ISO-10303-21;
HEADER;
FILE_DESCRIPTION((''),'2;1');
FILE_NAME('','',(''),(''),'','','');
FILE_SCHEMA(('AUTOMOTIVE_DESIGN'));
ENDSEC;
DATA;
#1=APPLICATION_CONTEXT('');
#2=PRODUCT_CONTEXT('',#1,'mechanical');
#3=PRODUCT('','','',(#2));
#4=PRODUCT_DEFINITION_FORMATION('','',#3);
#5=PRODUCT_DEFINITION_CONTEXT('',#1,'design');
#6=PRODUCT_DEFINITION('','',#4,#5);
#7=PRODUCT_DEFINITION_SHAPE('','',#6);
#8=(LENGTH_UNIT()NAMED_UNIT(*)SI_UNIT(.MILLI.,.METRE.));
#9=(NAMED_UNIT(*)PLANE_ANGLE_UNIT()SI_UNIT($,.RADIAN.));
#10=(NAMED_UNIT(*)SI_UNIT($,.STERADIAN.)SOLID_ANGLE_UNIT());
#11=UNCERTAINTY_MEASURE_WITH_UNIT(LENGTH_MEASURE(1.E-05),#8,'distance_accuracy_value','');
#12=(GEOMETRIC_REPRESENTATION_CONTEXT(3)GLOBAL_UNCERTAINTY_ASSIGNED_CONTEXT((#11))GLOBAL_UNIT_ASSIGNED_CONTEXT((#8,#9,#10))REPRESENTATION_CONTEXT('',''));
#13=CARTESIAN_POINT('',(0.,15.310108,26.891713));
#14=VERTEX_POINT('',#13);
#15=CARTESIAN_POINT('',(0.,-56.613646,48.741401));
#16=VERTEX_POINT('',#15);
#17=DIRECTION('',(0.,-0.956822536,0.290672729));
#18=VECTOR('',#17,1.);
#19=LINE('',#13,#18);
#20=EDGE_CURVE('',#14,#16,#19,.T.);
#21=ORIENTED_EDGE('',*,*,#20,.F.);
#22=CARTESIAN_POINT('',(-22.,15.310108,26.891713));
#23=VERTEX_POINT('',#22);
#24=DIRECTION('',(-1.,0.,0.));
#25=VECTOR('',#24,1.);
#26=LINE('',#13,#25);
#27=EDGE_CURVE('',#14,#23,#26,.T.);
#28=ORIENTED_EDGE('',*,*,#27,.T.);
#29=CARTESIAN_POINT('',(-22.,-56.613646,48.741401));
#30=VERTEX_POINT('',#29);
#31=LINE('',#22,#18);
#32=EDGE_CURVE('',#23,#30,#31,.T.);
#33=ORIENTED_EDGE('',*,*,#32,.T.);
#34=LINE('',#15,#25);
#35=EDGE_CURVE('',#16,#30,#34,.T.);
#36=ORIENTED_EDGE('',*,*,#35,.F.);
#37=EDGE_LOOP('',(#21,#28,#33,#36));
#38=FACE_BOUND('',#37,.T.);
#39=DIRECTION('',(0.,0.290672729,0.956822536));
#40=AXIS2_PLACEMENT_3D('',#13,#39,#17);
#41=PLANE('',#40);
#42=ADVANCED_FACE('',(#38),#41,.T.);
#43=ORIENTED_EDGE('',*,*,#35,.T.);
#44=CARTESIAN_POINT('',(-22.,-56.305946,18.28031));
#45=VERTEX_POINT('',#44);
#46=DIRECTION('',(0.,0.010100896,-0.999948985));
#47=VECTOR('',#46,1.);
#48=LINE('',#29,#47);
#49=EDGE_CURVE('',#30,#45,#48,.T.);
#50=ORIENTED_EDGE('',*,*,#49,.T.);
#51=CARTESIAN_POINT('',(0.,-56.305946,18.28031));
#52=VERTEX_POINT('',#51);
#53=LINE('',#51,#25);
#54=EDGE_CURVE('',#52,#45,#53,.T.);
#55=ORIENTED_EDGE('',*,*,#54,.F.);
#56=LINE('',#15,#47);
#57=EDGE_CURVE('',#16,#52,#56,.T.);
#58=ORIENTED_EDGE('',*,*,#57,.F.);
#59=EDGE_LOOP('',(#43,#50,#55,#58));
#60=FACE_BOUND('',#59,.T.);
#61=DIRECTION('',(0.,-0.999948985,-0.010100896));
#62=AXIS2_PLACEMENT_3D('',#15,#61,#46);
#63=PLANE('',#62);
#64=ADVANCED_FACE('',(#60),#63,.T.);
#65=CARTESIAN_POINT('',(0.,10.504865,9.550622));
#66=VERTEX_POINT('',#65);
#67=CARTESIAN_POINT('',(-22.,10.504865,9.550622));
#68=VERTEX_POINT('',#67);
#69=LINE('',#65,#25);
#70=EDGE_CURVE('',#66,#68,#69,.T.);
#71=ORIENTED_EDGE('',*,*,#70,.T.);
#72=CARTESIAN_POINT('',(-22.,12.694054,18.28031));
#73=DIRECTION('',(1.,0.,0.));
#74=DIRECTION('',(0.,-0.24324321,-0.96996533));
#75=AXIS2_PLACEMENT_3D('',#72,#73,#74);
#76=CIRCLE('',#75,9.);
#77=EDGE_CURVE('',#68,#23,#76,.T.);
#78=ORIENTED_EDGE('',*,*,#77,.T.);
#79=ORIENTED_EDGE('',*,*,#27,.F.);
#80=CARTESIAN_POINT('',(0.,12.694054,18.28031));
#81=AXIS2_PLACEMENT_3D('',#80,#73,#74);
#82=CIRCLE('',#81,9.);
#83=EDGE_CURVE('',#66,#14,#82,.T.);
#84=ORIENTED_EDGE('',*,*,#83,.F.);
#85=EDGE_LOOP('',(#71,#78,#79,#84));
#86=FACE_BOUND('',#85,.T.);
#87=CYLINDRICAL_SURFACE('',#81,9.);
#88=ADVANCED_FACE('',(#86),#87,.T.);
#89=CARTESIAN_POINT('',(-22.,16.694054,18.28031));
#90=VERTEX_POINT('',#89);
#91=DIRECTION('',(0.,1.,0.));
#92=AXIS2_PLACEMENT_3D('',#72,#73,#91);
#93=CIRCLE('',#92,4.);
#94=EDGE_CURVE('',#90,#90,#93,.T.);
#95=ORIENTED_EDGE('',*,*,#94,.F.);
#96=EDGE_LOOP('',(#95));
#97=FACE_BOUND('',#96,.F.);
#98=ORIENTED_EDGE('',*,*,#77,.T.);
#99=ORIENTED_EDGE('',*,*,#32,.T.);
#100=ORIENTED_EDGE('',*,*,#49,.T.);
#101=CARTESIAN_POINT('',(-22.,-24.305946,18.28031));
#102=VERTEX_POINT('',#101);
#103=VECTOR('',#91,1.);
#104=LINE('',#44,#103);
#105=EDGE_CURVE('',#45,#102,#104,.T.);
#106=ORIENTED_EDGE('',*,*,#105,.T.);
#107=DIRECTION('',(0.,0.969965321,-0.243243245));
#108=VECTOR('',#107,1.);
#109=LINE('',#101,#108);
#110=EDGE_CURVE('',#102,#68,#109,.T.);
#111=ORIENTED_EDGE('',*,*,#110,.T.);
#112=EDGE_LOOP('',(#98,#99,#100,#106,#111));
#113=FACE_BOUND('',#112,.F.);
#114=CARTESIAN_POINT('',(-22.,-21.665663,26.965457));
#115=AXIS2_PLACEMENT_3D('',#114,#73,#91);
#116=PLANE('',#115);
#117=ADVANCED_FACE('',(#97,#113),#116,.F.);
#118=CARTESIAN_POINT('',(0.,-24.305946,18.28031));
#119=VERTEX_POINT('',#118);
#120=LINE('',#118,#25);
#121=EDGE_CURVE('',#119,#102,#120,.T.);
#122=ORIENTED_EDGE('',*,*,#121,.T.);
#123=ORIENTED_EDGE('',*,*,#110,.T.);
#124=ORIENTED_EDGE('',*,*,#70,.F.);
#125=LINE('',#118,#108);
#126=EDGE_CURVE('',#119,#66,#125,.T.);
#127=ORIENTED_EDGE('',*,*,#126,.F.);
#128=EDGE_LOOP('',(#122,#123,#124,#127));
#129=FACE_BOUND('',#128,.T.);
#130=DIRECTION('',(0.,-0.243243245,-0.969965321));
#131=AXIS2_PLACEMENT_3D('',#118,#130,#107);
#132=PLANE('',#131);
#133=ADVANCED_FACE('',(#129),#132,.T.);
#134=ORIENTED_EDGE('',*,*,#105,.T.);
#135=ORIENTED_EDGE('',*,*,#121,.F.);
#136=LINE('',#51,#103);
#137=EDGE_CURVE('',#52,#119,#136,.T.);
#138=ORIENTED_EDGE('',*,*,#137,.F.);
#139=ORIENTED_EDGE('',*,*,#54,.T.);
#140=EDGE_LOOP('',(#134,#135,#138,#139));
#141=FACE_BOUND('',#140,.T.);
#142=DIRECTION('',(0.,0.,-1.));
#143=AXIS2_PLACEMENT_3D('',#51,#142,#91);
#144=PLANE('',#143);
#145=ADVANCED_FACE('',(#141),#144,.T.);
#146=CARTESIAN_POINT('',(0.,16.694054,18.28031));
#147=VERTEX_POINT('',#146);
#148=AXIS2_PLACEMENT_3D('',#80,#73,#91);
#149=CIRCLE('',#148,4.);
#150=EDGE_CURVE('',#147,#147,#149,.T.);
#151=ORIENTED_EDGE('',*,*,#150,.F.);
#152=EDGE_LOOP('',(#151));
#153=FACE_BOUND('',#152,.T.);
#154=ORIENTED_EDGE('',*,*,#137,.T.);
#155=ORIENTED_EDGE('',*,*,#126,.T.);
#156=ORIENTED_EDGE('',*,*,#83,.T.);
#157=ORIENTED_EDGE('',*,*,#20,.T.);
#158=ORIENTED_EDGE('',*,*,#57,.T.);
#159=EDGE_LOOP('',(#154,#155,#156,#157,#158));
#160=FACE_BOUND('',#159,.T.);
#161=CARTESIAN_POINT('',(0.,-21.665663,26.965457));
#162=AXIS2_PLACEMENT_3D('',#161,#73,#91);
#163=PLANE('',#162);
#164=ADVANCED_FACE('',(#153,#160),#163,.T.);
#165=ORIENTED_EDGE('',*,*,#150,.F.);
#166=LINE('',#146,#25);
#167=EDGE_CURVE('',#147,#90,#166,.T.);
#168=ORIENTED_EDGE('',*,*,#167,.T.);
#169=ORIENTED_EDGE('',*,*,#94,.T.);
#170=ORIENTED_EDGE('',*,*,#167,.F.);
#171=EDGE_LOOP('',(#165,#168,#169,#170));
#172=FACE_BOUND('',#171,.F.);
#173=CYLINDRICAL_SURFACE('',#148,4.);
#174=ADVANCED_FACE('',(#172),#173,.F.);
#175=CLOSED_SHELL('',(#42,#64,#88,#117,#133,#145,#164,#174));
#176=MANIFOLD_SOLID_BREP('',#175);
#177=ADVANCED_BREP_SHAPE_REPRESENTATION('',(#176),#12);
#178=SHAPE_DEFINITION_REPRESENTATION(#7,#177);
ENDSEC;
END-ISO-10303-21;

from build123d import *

# Parameters (mm, degrees)
F0_R     = 4
F1_DEPTH = 22


with BuildPart() as f1:
    # F0 (on Right) → F1 (new body)
    with BuildSketch(Plane.YZ):
        with BuildLine():
            Line((-56.613646, 48.741401), (-56.305946, 18.28031))
            Line((-56.305946, 18.28031), (-24.305946, 18.28031))
            Line((-24.305946, 18.28031), (10.504865, 9.550622))
            ThreePointArc((10.504865, 9.550622), (21.367226, 15.876961), (15.310108, 26.891713))
            Line((15.310108, 26.891713), (-56.613646, 48.741401))
        make_face()
        with Locations((12.694054, 18.28031)):
            Circle(F0_R, mode=Mode.SUBTRACT)
    extrude(amount=-F1_DEPTH)


solid = f1.part
